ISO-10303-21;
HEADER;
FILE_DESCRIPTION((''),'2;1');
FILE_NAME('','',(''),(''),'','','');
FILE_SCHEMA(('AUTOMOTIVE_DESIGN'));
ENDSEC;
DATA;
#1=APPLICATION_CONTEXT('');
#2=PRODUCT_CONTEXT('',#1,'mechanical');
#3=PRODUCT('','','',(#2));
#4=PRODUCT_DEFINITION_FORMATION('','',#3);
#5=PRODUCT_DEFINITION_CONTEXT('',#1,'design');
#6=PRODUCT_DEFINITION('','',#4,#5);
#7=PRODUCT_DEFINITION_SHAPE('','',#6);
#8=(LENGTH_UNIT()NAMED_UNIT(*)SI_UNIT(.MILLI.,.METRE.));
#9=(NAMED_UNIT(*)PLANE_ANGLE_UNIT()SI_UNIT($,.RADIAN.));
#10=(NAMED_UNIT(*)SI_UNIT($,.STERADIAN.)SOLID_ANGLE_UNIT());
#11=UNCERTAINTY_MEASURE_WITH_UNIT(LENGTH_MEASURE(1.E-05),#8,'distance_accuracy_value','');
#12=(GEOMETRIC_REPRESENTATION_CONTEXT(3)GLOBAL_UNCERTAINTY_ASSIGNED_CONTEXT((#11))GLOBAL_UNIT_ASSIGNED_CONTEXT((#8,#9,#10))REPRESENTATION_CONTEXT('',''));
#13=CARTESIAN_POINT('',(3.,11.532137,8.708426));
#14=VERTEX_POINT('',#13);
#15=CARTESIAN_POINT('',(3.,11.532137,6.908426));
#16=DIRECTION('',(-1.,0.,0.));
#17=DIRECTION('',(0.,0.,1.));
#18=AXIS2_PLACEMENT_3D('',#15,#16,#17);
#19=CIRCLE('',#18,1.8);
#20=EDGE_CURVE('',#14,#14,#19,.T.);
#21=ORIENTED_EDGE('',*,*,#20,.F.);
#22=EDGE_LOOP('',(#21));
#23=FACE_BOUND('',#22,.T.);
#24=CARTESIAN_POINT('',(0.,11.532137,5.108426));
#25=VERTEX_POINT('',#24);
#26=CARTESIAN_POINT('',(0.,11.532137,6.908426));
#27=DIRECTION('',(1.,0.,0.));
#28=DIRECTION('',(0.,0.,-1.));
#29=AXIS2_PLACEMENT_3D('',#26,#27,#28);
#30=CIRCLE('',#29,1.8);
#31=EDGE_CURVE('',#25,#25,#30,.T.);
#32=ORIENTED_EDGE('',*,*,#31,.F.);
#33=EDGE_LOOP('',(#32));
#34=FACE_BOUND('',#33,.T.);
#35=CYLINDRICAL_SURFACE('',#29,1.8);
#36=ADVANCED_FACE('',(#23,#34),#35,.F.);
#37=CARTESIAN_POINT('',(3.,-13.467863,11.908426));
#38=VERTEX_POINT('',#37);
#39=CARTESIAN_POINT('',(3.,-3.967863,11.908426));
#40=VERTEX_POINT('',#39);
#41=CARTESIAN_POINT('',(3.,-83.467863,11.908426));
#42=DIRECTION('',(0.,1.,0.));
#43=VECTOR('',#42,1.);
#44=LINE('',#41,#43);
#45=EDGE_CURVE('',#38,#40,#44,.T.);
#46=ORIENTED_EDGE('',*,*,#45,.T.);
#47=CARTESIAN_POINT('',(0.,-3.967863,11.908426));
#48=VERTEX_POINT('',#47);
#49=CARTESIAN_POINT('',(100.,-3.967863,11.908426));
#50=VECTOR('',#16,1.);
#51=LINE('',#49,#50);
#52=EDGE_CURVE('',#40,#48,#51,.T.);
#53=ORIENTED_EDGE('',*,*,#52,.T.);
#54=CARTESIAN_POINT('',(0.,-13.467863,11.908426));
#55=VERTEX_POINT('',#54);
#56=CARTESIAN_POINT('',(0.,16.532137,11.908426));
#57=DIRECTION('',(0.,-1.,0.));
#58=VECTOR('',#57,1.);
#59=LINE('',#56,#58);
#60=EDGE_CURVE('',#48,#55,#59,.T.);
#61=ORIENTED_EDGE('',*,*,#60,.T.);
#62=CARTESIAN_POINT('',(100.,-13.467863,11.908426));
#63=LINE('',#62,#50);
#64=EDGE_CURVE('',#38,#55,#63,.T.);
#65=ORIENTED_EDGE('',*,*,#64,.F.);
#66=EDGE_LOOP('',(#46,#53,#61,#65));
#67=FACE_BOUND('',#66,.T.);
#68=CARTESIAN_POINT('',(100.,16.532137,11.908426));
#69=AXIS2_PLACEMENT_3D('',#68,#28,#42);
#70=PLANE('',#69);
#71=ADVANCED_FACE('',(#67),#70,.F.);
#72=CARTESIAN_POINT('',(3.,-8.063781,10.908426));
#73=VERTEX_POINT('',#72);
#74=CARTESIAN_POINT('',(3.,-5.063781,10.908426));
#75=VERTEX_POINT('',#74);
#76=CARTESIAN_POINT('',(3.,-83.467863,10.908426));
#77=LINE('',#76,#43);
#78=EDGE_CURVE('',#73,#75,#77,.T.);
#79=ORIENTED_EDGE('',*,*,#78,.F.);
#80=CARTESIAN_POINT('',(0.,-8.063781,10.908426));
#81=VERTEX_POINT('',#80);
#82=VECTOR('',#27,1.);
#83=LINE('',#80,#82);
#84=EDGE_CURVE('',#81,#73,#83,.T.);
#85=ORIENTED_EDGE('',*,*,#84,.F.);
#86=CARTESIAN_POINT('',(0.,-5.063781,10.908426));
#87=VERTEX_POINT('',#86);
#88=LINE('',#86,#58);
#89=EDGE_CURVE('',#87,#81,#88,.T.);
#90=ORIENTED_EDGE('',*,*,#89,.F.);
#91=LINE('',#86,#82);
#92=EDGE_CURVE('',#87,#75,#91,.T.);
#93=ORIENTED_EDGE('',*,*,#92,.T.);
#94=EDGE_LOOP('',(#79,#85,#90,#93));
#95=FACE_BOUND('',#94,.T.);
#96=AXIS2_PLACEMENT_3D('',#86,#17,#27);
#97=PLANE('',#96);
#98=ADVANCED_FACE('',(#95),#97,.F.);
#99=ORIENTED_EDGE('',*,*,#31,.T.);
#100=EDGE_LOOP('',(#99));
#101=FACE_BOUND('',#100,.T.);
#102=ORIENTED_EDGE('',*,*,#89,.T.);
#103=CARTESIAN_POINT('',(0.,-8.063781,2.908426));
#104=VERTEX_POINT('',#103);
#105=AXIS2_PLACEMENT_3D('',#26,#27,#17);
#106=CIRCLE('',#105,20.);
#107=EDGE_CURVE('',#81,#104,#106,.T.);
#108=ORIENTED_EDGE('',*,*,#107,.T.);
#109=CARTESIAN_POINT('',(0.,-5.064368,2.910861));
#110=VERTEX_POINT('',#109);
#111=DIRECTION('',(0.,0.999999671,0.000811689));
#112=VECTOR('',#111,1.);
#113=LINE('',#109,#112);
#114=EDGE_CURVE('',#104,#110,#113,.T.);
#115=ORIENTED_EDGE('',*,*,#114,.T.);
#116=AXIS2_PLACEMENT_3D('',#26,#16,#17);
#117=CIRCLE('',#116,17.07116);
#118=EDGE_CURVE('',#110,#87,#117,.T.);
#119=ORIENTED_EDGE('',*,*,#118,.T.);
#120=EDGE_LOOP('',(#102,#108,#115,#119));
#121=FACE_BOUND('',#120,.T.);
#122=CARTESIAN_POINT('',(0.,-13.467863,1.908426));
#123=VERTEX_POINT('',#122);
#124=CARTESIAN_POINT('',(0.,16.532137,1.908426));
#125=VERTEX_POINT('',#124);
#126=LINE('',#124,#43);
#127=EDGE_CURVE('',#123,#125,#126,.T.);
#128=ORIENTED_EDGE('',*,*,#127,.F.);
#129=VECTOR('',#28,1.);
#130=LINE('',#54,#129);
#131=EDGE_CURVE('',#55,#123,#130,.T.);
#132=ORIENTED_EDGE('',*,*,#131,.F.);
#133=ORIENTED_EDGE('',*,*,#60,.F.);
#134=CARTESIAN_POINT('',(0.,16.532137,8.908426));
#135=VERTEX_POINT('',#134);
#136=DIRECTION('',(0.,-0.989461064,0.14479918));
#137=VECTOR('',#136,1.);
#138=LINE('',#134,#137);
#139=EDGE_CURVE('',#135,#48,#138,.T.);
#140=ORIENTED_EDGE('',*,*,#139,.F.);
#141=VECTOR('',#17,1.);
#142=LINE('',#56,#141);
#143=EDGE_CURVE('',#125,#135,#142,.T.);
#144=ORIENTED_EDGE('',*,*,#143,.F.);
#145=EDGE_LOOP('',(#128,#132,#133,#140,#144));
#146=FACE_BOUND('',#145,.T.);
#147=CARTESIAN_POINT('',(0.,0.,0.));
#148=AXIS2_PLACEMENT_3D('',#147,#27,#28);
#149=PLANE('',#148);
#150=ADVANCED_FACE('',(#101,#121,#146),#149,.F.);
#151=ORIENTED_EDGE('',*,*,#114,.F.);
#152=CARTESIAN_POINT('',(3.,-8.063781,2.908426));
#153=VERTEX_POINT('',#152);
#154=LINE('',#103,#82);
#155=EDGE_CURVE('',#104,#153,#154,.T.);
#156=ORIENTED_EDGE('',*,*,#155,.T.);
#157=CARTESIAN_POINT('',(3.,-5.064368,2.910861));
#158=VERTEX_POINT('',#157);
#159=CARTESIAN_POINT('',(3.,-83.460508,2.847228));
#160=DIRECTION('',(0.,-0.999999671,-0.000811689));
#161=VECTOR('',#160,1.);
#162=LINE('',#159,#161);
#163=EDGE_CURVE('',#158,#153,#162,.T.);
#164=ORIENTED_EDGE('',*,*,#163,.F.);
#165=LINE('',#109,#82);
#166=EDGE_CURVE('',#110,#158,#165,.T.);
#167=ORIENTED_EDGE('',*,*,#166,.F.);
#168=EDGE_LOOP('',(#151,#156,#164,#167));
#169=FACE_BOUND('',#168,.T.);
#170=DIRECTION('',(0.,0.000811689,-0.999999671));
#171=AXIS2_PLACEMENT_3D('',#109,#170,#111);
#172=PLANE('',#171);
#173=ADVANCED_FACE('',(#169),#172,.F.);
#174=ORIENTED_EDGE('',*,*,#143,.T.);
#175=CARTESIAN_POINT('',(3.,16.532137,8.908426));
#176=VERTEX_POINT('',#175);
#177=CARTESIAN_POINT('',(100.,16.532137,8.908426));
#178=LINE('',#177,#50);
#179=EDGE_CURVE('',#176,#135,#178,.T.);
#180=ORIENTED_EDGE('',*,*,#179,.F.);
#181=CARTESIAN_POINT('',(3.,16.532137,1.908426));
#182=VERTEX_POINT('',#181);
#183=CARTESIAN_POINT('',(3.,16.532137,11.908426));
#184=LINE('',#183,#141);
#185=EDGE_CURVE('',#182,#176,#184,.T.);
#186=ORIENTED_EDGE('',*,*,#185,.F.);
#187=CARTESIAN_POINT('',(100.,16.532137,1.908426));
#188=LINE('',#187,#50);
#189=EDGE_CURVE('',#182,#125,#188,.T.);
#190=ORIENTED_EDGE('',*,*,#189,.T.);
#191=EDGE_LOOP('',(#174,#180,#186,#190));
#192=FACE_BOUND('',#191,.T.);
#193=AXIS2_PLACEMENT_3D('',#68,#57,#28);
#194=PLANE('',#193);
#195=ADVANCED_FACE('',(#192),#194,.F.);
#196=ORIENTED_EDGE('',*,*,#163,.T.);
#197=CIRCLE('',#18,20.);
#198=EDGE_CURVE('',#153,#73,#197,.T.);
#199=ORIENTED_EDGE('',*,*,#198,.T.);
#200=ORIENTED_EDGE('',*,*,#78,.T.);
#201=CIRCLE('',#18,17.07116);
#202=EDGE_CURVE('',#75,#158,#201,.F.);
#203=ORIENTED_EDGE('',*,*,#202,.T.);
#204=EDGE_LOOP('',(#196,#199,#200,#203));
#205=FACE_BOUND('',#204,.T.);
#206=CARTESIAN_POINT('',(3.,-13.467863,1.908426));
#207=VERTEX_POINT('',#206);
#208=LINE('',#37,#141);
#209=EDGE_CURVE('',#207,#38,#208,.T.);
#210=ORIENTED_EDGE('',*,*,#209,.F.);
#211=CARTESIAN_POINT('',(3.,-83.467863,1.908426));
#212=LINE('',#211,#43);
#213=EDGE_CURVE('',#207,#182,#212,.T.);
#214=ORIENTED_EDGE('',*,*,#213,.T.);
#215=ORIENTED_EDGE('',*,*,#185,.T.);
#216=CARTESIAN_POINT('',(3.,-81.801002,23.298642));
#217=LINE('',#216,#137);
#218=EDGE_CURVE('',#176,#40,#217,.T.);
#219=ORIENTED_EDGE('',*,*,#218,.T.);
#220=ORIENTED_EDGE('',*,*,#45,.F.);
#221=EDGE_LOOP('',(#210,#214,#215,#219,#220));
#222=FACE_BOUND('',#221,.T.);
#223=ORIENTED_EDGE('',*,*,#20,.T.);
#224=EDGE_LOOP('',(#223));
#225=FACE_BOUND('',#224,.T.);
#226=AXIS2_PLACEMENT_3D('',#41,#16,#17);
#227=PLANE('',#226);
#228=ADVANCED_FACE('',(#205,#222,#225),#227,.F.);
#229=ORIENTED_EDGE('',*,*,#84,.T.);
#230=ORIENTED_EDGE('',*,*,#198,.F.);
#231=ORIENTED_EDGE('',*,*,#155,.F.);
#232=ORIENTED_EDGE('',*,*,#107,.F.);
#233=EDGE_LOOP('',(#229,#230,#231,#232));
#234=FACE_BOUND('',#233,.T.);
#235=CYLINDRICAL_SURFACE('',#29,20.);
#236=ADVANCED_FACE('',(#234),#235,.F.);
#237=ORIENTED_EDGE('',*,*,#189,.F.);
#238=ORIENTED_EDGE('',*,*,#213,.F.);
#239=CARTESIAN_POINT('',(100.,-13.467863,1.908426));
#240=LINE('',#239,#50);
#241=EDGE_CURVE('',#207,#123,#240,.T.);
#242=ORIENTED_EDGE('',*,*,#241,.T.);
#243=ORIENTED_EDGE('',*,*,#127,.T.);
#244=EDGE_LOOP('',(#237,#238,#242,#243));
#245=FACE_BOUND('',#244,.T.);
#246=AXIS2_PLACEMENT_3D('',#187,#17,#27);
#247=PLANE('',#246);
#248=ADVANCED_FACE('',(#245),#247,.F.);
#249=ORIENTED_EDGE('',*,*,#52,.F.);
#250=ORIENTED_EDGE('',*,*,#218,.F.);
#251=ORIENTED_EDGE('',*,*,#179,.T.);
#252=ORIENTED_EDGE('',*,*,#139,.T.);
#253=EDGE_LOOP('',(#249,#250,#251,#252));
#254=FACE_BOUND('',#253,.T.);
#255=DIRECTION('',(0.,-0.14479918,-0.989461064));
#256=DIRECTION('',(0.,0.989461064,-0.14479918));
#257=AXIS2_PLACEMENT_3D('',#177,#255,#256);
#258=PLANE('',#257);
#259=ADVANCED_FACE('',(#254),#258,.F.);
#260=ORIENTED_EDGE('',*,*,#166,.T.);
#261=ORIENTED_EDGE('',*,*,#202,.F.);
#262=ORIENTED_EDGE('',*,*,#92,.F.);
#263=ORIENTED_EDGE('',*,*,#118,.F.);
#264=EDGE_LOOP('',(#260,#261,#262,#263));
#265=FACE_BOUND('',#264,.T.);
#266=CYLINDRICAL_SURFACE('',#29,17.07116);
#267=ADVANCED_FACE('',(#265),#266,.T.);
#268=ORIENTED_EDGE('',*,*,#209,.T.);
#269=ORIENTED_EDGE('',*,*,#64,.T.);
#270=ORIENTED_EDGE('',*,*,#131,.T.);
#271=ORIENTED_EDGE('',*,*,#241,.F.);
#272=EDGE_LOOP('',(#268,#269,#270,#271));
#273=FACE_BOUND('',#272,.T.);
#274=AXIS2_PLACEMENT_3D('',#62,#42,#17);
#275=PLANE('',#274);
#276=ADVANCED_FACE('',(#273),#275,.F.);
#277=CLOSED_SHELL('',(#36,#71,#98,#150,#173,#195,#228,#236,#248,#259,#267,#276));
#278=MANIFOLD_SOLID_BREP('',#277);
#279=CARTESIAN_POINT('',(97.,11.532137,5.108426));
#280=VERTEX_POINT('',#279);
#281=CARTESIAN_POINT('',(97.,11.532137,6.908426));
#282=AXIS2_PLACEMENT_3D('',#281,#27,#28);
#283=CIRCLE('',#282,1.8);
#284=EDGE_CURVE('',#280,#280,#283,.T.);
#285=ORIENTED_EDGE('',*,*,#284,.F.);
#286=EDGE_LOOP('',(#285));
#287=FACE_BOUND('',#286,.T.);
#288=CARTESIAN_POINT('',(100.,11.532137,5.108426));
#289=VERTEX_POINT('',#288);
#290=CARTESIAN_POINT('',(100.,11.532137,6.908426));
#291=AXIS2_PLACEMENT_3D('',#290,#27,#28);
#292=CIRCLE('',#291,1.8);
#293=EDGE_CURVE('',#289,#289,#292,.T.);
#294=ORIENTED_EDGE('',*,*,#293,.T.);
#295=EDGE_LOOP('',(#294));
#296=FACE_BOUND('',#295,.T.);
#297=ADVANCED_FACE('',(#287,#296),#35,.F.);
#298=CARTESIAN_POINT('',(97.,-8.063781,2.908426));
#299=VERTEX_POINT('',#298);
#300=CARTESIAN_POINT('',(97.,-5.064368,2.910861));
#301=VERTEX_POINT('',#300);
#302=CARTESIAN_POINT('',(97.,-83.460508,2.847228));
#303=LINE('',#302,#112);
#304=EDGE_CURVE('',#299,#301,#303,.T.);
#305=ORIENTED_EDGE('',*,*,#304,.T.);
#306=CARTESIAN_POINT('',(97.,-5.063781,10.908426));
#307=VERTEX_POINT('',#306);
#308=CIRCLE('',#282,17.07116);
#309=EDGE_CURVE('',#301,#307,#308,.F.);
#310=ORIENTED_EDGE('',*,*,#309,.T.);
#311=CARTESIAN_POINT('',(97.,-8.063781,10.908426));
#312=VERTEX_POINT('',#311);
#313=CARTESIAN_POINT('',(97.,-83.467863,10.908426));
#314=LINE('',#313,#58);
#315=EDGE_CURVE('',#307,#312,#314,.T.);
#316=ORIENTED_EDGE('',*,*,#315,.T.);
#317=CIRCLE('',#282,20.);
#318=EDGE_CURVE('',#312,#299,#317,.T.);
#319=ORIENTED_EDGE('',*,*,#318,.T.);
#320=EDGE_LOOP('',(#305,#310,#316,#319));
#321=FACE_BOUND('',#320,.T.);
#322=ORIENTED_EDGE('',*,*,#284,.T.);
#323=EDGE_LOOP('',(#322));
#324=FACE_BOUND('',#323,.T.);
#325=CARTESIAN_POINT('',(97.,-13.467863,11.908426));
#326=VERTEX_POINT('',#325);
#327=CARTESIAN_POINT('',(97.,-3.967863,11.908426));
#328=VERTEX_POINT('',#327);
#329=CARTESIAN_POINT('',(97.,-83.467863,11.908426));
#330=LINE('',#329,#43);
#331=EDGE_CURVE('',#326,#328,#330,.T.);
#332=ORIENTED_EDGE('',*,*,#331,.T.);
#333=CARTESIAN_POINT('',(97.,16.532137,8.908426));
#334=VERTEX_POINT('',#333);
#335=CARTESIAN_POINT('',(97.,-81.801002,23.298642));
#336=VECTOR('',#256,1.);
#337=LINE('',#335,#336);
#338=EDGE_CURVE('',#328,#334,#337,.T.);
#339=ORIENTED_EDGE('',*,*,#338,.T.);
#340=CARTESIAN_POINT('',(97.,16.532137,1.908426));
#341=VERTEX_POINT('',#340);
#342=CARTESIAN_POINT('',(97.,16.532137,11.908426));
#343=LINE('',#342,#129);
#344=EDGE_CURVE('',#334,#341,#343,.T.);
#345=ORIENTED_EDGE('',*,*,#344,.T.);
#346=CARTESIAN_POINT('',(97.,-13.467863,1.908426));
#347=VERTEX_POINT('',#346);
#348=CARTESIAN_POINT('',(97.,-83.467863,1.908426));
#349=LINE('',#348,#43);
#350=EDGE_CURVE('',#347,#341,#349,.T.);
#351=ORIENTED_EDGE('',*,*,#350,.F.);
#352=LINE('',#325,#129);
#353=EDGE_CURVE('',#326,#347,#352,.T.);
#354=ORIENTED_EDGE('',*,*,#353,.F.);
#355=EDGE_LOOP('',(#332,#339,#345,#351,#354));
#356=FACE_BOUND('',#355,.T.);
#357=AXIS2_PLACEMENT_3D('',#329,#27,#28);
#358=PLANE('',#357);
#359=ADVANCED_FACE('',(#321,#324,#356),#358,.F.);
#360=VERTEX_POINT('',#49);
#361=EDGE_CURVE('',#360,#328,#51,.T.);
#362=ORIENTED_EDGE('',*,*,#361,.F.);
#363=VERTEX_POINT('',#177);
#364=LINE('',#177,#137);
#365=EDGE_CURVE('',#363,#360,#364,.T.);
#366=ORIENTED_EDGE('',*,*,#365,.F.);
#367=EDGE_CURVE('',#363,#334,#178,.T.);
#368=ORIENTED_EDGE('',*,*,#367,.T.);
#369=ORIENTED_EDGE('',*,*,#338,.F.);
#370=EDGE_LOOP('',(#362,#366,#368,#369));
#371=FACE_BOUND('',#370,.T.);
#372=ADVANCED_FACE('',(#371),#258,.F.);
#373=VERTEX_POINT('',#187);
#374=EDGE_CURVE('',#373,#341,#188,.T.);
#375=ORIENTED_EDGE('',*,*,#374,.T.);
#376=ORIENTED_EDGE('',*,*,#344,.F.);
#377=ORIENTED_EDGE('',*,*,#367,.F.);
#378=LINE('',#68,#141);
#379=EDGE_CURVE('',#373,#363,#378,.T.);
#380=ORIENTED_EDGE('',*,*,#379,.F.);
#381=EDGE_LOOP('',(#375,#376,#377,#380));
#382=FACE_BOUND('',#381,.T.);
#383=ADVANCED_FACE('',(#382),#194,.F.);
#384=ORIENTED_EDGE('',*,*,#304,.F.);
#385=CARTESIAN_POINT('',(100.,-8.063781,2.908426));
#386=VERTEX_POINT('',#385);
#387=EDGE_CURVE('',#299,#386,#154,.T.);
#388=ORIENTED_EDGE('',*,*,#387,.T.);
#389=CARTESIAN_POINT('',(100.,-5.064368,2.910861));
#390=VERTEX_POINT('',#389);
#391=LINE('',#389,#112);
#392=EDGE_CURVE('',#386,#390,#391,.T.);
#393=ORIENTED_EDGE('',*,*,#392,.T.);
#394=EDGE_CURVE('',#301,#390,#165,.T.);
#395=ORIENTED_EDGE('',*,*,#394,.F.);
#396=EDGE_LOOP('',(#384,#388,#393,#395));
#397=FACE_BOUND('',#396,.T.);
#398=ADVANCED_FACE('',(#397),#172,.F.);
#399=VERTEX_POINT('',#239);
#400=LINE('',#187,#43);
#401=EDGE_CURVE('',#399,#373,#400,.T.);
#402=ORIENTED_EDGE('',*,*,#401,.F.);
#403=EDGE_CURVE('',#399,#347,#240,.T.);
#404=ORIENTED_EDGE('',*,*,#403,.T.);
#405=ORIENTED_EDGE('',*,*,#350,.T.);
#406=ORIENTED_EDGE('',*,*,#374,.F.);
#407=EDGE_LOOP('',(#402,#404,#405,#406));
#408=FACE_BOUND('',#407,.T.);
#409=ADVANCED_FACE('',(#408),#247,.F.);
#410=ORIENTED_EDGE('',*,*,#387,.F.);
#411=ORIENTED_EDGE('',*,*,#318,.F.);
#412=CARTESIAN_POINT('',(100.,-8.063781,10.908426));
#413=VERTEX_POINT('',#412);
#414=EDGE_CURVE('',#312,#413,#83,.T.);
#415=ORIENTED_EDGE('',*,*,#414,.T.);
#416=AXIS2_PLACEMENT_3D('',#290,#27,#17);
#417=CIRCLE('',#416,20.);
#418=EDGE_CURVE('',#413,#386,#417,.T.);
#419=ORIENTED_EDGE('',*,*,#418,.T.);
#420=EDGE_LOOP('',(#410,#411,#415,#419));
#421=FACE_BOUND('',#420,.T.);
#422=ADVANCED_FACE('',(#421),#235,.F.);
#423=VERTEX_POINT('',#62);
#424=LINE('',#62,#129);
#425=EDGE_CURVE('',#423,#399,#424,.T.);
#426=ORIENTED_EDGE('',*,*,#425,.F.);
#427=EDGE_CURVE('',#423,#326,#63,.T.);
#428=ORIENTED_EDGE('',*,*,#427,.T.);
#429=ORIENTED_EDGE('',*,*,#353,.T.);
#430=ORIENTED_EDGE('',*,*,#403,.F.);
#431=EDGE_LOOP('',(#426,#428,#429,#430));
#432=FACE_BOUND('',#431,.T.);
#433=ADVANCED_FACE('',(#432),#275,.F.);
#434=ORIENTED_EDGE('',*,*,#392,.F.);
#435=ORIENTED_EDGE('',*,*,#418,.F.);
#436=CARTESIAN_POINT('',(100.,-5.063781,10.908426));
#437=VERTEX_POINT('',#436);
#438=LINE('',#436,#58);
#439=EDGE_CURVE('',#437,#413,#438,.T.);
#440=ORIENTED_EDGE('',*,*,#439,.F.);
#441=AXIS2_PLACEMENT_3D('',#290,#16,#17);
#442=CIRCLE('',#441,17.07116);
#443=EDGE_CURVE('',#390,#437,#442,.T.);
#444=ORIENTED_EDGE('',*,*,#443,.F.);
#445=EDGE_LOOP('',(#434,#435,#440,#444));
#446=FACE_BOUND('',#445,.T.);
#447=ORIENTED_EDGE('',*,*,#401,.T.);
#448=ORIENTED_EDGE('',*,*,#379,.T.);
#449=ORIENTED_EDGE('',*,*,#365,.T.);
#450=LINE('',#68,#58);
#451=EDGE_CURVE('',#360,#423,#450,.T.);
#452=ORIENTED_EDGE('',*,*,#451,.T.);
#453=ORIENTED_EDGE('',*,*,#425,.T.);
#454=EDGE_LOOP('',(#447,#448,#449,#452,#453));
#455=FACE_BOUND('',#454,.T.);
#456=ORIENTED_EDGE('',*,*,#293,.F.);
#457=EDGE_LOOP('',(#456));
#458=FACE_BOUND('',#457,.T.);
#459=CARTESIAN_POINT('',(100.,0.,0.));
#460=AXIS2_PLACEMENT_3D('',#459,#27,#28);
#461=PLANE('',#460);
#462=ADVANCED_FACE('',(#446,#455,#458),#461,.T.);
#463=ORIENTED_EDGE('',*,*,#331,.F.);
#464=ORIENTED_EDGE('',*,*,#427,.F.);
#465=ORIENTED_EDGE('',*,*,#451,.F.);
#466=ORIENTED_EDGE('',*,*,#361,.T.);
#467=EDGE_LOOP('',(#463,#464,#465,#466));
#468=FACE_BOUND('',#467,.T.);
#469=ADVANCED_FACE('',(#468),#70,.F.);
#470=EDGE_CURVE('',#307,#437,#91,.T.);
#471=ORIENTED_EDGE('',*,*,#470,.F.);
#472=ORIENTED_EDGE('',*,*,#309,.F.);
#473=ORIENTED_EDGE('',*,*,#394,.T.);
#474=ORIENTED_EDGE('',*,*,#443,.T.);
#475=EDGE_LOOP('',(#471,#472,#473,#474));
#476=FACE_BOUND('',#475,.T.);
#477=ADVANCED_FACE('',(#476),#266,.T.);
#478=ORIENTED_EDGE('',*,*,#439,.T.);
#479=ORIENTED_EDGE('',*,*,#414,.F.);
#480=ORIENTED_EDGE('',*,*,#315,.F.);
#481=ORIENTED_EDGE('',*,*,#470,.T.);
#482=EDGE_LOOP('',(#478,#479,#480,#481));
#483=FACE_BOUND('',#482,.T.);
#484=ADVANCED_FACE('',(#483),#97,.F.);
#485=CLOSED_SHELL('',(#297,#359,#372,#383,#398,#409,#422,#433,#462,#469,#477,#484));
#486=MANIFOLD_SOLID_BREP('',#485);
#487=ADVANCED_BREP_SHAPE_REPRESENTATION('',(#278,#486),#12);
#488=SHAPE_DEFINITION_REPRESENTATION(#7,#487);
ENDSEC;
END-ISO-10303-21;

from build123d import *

# Parameters (mm, degrees)
SKETCH1_W           = 10
SKETCH1_H           = 30
BOSS_EXTRUDE1_DEPTH = 100
SKETCH2_W           = 94
SKETCH2_H           = 10
CUT_EXTRUDE1_DEPTH  = 100
SKETCH3_R           = 1.8
CUT_EXTRUDE2_DEPTH  = 100
CUT_EXTRUDE3_DEPTH  = 100
CUT_EXTRUDE5_DEPTH  = 100


with BuildPart() as part:
    # Sketch1 → Boss-Extrude1 (new body)
    with BuildSketch(Plane(origin=(0, 0, 0), x_dir=(0, 0, -1), z_dir=(1, 0, 0))):
        with Locations((-6.908426326, 1.532136894)):
            Rectangle(SKETCH1_W, SKETCH1_H)
    extrude(amount=BOSS_EXTRUDE1_DEPTH)

    # Sketch2 → Cut-Extrude1 (cut)
    with BuildSketch(Plane(origin=(0, 16.532136894, 0), x_dir=(1, 0, 0), z_dir=(0, 1, 0))):
        with Locations((50, -6.908426326)):
            Rectangle(SKETCH2_W, SKETCH2_H)
    extrude(amount=-CUT_EXTRUDE1_DEPTH, mode=Mode.SUBTRACT)

    # Sketch3 → Cut-Extrude2 (cut)
    with BuildSketch(Plane(origin=(100, 0, 0), x_dir=(0, 0, -1), z_dir=(1, 0, 0))):
        with Locations((-6.908426326, 11.532136894)):
            Circle(SKETCH3_R)
    extrude(amount=-CUT_EXTRUDE2_DEPTH, mode=Mode.SUBTRACT)

    # Sketch4 → Cut-Extrude3 (cut)
    with BuildSketch(Plane(origin=(100, 0, 0), x_dir=(0, 0, -1), z_dir=(1, 0, 0))):
        with BuildLine():
            Line((-10.908426326, -5.063781049), (-10.908426326, -8.063781049))
            ThreePointArc((-10.908426326, -8.063781049), (-6.908426326, -8.467863106), (-2.908426326, -8.063781049))
            Line((-2.908426326, -8.063781049), (-2.910860918, -5.064367653))
            ThreePointArc((-2.910860918, -5.064367653), (-6.909678458, -5.539022727), (-10.908426326, -5.063781049))
        make_face()
    extrude(amount=-CUT_EXTRUDE3_DEPTH, mode=Mode.SUBTRACT)

    # Sketch5 → Cut-Extrude5 (cut)
    with BuildSketch(Plane.ZY):
        Polygon((8.908426326, 16.532136894), (11.908426326, -3.967863106), (11.908426326, 16.532136894), align=None)
    extrude(amount=-CUT_EXTRUDE5_DEPTH, mode=Mode.SUBTRACT)


solid = part.part
